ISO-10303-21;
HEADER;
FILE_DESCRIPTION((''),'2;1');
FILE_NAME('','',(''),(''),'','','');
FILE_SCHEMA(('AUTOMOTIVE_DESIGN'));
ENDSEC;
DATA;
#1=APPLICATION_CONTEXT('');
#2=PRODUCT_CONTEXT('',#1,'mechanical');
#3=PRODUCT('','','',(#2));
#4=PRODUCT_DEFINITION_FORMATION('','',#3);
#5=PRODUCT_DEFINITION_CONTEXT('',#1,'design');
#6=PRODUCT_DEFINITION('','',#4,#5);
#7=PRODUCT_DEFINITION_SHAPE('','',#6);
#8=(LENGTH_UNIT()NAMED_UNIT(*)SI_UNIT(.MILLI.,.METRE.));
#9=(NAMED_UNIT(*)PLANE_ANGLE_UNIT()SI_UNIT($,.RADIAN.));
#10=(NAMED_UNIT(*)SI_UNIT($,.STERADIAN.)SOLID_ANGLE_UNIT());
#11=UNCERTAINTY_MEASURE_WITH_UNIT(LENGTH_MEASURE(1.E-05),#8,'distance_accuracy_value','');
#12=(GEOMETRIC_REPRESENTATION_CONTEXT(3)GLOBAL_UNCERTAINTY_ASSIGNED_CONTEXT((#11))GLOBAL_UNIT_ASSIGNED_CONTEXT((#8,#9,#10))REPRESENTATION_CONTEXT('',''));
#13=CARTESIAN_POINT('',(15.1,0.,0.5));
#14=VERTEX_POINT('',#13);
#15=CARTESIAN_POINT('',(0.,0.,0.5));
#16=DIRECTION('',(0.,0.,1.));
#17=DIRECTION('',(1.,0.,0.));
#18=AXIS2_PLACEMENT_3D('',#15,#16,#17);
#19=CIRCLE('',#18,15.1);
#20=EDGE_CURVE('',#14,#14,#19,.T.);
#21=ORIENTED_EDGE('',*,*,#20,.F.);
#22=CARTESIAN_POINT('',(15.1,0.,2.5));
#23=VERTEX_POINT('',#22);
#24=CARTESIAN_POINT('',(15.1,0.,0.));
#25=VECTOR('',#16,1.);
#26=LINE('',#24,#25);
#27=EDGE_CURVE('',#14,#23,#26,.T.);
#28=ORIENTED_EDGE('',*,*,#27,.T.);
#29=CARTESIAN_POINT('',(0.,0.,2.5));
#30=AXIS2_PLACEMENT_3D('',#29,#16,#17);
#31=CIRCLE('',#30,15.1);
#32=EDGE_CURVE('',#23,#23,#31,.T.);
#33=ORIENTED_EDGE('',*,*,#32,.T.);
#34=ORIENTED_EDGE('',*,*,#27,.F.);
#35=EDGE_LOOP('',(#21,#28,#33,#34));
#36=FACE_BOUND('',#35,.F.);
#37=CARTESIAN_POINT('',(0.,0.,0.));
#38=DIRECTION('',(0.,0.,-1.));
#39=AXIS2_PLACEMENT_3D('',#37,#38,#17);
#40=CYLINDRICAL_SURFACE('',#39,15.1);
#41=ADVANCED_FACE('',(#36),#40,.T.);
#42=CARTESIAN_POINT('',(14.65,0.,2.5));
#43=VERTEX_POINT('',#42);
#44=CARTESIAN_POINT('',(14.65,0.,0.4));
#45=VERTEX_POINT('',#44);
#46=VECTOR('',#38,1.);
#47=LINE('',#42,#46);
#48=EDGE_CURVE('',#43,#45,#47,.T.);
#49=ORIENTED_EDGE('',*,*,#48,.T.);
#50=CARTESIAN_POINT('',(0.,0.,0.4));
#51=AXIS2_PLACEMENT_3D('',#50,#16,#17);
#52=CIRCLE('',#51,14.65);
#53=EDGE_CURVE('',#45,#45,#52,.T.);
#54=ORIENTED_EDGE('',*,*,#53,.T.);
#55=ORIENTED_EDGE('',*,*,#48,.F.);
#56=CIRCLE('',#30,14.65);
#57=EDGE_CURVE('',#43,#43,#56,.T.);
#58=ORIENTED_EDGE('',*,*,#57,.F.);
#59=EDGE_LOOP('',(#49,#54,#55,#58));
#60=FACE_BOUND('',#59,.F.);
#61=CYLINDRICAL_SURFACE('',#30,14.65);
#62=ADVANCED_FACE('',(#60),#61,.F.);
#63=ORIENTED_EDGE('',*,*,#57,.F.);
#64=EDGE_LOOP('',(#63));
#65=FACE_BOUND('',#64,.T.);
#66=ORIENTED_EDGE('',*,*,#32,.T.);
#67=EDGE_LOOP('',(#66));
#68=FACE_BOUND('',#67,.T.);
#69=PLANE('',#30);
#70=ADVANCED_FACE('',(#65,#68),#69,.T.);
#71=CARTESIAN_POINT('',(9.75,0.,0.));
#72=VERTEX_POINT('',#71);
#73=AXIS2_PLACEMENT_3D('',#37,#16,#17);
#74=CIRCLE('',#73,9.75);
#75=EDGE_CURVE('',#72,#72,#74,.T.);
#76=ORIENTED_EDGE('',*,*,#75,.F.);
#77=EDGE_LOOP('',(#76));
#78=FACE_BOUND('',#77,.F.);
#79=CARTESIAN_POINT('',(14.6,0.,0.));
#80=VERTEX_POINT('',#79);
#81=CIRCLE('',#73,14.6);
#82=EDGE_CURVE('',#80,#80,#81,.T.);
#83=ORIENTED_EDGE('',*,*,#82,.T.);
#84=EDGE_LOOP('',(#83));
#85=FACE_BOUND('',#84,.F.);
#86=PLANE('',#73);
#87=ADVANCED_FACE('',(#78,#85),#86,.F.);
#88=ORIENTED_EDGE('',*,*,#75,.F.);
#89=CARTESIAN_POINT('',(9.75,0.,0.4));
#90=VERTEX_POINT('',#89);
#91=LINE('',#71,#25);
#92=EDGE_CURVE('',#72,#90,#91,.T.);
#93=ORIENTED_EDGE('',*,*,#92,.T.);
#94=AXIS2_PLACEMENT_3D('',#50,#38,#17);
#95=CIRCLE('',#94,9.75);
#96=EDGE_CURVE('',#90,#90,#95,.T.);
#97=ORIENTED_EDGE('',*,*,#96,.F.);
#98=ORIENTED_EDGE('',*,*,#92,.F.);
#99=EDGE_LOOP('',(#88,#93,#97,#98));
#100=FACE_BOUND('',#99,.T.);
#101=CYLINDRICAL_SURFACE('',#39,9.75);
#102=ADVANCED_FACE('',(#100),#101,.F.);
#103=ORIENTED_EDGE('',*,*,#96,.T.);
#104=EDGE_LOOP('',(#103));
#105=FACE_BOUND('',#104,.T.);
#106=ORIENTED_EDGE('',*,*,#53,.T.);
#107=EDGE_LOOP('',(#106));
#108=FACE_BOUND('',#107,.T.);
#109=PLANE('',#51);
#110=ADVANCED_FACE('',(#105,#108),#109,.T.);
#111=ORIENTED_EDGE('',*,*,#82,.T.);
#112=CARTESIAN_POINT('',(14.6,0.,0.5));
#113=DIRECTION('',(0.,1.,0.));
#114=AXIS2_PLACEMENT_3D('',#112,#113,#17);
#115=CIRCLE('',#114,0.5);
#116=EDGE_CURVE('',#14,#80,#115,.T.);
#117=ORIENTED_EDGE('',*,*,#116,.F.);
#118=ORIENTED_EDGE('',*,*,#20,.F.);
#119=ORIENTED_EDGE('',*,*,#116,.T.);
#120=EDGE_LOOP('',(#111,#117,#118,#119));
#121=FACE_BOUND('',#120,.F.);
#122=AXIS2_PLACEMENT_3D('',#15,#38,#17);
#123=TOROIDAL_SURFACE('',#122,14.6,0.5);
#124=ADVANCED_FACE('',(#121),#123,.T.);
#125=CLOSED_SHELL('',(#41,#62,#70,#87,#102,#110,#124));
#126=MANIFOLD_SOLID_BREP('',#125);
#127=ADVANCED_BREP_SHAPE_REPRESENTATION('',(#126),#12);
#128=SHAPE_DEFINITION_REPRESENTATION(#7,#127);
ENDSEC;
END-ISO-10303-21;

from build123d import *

# Parameters (mm, degrees)
F0_R     = 15.1
F0_R_2   = 9.75
F1_DEPTH = 2.5
F2_R     = 14.65
F3_DEPTH = 2.1
F4_R     = 0.5


with BuildPart() as f1:
    # F0 (on Top) → F1 (new body)
    with BuildSketch(Plane.XY):
        Circle(F0_R)
        Circle(F0_R_2, mode=Mode.SUBTRACT)
    extrude(amount=F1_DEPTH)

    # F2 (on face) → F3 (cut)
    with BuildSketch(Plane.XY.offset(2.5)):
        Circle(F2_R)
    extrude(amount=-F3_DEPTH, mode=Mode.SUBTRACT)

    # F4
    f4_edges = [f1.edges().sort_by_distance(p)[0] for p in [
        (-15.1, 0, 0),
    ]]
    fillet(f4_edges, radius=F4_R)


solid = f1.part
